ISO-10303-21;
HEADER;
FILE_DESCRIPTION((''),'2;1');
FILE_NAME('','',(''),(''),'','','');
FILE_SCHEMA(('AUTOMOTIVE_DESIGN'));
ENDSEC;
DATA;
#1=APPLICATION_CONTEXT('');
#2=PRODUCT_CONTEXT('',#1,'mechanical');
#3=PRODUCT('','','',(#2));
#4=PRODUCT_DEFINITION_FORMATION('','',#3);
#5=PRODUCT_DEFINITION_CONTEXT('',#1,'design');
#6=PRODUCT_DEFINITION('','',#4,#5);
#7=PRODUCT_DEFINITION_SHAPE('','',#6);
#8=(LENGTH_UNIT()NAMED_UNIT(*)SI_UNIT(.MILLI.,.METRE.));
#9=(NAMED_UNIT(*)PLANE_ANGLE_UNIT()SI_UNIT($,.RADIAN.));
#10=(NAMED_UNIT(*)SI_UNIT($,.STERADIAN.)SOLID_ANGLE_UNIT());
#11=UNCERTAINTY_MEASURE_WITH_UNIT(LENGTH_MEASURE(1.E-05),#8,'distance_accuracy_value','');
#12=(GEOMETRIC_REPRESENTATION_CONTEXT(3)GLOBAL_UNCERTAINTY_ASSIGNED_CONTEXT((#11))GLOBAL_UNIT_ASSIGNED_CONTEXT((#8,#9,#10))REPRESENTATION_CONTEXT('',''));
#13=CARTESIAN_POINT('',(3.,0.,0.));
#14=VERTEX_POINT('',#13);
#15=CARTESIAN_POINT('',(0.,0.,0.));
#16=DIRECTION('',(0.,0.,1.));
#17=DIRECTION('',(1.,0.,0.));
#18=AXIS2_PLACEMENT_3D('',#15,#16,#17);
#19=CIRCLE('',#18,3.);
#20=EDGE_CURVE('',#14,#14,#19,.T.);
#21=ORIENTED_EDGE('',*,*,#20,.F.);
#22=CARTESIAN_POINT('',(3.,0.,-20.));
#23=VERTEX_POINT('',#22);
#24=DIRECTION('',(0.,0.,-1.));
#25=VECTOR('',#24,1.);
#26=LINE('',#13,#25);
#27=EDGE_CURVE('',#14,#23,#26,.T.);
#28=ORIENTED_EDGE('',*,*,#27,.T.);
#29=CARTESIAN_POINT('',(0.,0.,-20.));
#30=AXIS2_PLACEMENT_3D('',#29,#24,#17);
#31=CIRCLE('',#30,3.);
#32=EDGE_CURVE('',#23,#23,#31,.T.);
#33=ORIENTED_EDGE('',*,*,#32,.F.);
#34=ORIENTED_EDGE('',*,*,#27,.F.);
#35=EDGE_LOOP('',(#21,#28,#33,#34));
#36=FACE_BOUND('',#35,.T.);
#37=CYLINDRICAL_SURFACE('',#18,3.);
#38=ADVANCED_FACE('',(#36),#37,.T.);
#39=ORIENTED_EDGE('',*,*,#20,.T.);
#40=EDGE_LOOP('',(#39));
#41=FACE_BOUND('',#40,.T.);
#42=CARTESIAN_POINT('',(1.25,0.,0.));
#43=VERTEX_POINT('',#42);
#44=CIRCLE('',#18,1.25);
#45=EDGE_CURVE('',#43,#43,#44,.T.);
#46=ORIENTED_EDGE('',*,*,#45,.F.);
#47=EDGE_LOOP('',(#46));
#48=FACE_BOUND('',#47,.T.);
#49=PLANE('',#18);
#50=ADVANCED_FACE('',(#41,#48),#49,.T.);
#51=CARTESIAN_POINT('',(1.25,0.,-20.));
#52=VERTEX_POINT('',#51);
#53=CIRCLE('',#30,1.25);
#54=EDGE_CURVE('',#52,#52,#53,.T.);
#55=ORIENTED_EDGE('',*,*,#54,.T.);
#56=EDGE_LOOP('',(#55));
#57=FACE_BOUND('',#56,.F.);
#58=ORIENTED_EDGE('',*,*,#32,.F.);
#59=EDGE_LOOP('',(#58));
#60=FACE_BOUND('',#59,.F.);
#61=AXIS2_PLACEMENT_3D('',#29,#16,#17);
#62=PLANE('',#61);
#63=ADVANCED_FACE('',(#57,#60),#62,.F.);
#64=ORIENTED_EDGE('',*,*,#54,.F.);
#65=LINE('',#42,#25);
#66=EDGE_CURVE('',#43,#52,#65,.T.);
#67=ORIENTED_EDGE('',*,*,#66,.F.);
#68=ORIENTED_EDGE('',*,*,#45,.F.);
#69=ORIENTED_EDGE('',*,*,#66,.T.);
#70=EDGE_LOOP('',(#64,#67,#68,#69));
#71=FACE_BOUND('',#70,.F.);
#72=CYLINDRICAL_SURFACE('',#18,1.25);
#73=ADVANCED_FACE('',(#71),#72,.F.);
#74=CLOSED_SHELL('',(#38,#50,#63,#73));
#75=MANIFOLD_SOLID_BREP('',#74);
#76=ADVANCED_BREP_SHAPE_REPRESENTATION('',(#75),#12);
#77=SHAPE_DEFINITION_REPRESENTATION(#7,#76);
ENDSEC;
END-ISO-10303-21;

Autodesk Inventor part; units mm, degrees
ref_plane "YZ Plane" through (0, 0, 0) normal (1, 0, 0) x (0, 1, 0)
ref_plane "XZ Plane" through (0, 0, 0) normal (0, 1, 0) x (-1, 0, 0)
ref_plane "XY Plane" through (0, 0, 0) normal (0, 0, 1) x (1, 0, 0)
sketch "Skizze1" plane through (0, 0, 0) normal (0, 0, 1) x (1, 0, 0)
  line L0 (-4.2, 0) -> (4.2, 0) projected
  line L1 (0, -4.2) -> (0, 4.2) projected
  circle A0 centre (0, 0) radius 3
  circle A1 centre (0, 0) radius 1.25
  dimension "d0" = 6
  dimension "d1" = 2.5
extrude "Extrusion1" add sketch "Skizze1" against normal blind 20 contours A1 L1 A0 L0 | L0 A0 L1 A1 | A1 L0 A0 L1 | L1 A0 L0 A1
thread "Gewinde1" size "M6x1" class "6g" standard "ANSI Metric M Profile" full length
properties part number "DüseGewinde"
